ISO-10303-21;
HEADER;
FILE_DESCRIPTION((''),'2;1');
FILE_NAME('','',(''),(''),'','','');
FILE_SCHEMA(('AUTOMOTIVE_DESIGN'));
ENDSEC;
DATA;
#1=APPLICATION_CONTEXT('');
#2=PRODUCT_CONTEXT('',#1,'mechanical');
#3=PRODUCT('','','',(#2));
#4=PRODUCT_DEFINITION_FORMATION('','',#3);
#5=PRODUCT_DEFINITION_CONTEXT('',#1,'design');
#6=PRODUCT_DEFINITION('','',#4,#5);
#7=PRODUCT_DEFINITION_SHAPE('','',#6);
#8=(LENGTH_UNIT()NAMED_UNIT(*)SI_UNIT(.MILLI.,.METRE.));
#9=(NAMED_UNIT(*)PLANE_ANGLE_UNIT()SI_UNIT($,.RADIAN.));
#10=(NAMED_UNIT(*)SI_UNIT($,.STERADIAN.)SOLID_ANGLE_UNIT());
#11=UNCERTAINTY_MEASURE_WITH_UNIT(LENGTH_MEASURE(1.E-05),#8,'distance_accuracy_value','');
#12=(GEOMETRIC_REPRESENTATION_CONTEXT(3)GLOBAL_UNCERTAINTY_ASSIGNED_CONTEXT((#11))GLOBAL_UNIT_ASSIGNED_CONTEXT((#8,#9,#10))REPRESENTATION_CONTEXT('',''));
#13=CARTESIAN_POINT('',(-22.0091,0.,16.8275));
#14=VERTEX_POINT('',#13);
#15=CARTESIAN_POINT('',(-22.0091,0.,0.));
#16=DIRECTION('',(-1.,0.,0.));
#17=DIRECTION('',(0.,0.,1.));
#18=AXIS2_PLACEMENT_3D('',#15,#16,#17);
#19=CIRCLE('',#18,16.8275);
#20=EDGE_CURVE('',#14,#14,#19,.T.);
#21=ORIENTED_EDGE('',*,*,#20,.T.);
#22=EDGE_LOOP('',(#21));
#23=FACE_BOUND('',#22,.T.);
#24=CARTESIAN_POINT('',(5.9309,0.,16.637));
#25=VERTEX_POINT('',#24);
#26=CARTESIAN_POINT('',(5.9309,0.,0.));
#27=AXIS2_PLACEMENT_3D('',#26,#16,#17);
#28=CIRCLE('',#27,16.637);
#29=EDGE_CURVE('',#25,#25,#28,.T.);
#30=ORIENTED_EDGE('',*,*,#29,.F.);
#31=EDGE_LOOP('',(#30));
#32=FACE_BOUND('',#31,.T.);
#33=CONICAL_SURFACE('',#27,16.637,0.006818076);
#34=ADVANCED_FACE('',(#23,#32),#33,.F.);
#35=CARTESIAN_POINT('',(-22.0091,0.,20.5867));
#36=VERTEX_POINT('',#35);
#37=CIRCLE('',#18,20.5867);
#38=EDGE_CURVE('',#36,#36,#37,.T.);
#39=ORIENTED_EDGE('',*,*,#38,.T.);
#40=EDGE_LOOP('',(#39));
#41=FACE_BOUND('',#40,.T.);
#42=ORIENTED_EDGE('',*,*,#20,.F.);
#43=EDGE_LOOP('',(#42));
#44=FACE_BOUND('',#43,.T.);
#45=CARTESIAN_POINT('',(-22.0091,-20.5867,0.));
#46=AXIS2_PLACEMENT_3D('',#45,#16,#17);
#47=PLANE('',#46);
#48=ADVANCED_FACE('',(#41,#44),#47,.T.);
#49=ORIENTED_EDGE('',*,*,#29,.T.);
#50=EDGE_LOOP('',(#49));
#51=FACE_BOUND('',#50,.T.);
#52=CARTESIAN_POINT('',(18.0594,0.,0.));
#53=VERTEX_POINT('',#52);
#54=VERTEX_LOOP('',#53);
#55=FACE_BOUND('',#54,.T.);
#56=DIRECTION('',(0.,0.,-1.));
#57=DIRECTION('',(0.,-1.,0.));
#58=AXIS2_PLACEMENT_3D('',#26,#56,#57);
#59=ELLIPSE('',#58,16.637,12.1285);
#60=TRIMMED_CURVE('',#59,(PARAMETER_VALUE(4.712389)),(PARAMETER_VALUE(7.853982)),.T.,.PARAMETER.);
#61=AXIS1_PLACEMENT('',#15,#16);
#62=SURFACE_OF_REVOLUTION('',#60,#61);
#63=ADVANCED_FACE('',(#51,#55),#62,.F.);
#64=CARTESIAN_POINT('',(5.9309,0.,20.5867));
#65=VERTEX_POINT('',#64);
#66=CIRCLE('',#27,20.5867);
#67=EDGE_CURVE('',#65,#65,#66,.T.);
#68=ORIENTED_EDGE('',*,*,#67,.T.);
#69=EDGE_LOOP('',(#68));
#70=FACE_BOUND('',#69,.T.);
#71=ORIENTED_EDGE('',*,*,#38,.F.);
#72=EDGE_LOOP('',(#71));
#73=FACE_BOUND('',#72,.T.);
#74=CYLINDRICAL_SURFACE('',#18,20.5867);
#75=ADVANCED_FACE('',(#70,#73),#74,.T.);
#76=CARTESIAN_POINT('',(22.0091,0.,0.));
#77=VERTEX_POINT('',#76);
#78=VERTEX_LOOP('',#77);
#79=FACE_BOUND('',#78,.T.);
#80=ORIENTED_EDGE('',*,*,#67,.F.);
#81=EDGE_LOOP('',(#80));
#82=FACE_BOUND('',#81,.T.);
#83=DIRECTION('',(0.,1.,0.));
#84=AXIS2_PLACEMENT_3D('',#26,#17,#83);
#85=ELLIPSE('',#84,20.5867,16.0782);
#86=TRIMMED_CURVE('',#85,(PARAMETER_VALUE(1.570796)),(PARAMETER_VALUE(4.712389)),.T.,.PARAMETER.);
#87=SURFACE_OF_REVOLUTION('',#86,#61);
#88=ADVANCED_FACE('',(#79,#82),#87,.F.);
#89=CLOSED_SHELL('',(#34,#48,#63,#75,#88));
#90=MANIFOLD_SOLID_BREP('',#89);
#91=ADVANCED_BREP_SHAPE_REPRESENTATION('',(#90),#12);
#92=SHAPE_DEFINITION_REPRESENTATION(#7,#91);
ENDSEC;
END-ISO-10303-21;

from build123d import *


with BuildPart() as part:
    # Sketch1 → Revolve1 (revolve)
    with BuildSketch(Plane.XY):
        with BuildLine():
            Line((18.0594, 0), (22.0091, 0))
            add(Edge.make_bspline(
                [(5.9309, -20.5867), (22.0091, -20.5867), (22.0091, 0)],
                knots=[3.141592654, 3.141592654, 3.141592654, 4.71238898, 4.71238898, 4.71238898], degree=2, weights=[1, 0.707106781, 1]))
            Line((5.9309, -20.5867), (-22.0091, -20.5867))
            Line((-22.0091, -20.5867), (-22.0091, -16.8275))
            Line((-22.0091, -16.8275), (5.9309, -16.637))
            add(Edge.make_bspline(
                [(5.9309, -16.637), (18.0594, -16.637), (18.0594, 0)],
                knots=[0, 0, 0, 1.570796327, 1.570796327, 1.570796327], degree=2, weights=[1, 0.707106781, 1]))
        make_face()
    revolve(axis=Axis((-22.0091, 0, 0), (1, 0, 0)))


solid = part.part
